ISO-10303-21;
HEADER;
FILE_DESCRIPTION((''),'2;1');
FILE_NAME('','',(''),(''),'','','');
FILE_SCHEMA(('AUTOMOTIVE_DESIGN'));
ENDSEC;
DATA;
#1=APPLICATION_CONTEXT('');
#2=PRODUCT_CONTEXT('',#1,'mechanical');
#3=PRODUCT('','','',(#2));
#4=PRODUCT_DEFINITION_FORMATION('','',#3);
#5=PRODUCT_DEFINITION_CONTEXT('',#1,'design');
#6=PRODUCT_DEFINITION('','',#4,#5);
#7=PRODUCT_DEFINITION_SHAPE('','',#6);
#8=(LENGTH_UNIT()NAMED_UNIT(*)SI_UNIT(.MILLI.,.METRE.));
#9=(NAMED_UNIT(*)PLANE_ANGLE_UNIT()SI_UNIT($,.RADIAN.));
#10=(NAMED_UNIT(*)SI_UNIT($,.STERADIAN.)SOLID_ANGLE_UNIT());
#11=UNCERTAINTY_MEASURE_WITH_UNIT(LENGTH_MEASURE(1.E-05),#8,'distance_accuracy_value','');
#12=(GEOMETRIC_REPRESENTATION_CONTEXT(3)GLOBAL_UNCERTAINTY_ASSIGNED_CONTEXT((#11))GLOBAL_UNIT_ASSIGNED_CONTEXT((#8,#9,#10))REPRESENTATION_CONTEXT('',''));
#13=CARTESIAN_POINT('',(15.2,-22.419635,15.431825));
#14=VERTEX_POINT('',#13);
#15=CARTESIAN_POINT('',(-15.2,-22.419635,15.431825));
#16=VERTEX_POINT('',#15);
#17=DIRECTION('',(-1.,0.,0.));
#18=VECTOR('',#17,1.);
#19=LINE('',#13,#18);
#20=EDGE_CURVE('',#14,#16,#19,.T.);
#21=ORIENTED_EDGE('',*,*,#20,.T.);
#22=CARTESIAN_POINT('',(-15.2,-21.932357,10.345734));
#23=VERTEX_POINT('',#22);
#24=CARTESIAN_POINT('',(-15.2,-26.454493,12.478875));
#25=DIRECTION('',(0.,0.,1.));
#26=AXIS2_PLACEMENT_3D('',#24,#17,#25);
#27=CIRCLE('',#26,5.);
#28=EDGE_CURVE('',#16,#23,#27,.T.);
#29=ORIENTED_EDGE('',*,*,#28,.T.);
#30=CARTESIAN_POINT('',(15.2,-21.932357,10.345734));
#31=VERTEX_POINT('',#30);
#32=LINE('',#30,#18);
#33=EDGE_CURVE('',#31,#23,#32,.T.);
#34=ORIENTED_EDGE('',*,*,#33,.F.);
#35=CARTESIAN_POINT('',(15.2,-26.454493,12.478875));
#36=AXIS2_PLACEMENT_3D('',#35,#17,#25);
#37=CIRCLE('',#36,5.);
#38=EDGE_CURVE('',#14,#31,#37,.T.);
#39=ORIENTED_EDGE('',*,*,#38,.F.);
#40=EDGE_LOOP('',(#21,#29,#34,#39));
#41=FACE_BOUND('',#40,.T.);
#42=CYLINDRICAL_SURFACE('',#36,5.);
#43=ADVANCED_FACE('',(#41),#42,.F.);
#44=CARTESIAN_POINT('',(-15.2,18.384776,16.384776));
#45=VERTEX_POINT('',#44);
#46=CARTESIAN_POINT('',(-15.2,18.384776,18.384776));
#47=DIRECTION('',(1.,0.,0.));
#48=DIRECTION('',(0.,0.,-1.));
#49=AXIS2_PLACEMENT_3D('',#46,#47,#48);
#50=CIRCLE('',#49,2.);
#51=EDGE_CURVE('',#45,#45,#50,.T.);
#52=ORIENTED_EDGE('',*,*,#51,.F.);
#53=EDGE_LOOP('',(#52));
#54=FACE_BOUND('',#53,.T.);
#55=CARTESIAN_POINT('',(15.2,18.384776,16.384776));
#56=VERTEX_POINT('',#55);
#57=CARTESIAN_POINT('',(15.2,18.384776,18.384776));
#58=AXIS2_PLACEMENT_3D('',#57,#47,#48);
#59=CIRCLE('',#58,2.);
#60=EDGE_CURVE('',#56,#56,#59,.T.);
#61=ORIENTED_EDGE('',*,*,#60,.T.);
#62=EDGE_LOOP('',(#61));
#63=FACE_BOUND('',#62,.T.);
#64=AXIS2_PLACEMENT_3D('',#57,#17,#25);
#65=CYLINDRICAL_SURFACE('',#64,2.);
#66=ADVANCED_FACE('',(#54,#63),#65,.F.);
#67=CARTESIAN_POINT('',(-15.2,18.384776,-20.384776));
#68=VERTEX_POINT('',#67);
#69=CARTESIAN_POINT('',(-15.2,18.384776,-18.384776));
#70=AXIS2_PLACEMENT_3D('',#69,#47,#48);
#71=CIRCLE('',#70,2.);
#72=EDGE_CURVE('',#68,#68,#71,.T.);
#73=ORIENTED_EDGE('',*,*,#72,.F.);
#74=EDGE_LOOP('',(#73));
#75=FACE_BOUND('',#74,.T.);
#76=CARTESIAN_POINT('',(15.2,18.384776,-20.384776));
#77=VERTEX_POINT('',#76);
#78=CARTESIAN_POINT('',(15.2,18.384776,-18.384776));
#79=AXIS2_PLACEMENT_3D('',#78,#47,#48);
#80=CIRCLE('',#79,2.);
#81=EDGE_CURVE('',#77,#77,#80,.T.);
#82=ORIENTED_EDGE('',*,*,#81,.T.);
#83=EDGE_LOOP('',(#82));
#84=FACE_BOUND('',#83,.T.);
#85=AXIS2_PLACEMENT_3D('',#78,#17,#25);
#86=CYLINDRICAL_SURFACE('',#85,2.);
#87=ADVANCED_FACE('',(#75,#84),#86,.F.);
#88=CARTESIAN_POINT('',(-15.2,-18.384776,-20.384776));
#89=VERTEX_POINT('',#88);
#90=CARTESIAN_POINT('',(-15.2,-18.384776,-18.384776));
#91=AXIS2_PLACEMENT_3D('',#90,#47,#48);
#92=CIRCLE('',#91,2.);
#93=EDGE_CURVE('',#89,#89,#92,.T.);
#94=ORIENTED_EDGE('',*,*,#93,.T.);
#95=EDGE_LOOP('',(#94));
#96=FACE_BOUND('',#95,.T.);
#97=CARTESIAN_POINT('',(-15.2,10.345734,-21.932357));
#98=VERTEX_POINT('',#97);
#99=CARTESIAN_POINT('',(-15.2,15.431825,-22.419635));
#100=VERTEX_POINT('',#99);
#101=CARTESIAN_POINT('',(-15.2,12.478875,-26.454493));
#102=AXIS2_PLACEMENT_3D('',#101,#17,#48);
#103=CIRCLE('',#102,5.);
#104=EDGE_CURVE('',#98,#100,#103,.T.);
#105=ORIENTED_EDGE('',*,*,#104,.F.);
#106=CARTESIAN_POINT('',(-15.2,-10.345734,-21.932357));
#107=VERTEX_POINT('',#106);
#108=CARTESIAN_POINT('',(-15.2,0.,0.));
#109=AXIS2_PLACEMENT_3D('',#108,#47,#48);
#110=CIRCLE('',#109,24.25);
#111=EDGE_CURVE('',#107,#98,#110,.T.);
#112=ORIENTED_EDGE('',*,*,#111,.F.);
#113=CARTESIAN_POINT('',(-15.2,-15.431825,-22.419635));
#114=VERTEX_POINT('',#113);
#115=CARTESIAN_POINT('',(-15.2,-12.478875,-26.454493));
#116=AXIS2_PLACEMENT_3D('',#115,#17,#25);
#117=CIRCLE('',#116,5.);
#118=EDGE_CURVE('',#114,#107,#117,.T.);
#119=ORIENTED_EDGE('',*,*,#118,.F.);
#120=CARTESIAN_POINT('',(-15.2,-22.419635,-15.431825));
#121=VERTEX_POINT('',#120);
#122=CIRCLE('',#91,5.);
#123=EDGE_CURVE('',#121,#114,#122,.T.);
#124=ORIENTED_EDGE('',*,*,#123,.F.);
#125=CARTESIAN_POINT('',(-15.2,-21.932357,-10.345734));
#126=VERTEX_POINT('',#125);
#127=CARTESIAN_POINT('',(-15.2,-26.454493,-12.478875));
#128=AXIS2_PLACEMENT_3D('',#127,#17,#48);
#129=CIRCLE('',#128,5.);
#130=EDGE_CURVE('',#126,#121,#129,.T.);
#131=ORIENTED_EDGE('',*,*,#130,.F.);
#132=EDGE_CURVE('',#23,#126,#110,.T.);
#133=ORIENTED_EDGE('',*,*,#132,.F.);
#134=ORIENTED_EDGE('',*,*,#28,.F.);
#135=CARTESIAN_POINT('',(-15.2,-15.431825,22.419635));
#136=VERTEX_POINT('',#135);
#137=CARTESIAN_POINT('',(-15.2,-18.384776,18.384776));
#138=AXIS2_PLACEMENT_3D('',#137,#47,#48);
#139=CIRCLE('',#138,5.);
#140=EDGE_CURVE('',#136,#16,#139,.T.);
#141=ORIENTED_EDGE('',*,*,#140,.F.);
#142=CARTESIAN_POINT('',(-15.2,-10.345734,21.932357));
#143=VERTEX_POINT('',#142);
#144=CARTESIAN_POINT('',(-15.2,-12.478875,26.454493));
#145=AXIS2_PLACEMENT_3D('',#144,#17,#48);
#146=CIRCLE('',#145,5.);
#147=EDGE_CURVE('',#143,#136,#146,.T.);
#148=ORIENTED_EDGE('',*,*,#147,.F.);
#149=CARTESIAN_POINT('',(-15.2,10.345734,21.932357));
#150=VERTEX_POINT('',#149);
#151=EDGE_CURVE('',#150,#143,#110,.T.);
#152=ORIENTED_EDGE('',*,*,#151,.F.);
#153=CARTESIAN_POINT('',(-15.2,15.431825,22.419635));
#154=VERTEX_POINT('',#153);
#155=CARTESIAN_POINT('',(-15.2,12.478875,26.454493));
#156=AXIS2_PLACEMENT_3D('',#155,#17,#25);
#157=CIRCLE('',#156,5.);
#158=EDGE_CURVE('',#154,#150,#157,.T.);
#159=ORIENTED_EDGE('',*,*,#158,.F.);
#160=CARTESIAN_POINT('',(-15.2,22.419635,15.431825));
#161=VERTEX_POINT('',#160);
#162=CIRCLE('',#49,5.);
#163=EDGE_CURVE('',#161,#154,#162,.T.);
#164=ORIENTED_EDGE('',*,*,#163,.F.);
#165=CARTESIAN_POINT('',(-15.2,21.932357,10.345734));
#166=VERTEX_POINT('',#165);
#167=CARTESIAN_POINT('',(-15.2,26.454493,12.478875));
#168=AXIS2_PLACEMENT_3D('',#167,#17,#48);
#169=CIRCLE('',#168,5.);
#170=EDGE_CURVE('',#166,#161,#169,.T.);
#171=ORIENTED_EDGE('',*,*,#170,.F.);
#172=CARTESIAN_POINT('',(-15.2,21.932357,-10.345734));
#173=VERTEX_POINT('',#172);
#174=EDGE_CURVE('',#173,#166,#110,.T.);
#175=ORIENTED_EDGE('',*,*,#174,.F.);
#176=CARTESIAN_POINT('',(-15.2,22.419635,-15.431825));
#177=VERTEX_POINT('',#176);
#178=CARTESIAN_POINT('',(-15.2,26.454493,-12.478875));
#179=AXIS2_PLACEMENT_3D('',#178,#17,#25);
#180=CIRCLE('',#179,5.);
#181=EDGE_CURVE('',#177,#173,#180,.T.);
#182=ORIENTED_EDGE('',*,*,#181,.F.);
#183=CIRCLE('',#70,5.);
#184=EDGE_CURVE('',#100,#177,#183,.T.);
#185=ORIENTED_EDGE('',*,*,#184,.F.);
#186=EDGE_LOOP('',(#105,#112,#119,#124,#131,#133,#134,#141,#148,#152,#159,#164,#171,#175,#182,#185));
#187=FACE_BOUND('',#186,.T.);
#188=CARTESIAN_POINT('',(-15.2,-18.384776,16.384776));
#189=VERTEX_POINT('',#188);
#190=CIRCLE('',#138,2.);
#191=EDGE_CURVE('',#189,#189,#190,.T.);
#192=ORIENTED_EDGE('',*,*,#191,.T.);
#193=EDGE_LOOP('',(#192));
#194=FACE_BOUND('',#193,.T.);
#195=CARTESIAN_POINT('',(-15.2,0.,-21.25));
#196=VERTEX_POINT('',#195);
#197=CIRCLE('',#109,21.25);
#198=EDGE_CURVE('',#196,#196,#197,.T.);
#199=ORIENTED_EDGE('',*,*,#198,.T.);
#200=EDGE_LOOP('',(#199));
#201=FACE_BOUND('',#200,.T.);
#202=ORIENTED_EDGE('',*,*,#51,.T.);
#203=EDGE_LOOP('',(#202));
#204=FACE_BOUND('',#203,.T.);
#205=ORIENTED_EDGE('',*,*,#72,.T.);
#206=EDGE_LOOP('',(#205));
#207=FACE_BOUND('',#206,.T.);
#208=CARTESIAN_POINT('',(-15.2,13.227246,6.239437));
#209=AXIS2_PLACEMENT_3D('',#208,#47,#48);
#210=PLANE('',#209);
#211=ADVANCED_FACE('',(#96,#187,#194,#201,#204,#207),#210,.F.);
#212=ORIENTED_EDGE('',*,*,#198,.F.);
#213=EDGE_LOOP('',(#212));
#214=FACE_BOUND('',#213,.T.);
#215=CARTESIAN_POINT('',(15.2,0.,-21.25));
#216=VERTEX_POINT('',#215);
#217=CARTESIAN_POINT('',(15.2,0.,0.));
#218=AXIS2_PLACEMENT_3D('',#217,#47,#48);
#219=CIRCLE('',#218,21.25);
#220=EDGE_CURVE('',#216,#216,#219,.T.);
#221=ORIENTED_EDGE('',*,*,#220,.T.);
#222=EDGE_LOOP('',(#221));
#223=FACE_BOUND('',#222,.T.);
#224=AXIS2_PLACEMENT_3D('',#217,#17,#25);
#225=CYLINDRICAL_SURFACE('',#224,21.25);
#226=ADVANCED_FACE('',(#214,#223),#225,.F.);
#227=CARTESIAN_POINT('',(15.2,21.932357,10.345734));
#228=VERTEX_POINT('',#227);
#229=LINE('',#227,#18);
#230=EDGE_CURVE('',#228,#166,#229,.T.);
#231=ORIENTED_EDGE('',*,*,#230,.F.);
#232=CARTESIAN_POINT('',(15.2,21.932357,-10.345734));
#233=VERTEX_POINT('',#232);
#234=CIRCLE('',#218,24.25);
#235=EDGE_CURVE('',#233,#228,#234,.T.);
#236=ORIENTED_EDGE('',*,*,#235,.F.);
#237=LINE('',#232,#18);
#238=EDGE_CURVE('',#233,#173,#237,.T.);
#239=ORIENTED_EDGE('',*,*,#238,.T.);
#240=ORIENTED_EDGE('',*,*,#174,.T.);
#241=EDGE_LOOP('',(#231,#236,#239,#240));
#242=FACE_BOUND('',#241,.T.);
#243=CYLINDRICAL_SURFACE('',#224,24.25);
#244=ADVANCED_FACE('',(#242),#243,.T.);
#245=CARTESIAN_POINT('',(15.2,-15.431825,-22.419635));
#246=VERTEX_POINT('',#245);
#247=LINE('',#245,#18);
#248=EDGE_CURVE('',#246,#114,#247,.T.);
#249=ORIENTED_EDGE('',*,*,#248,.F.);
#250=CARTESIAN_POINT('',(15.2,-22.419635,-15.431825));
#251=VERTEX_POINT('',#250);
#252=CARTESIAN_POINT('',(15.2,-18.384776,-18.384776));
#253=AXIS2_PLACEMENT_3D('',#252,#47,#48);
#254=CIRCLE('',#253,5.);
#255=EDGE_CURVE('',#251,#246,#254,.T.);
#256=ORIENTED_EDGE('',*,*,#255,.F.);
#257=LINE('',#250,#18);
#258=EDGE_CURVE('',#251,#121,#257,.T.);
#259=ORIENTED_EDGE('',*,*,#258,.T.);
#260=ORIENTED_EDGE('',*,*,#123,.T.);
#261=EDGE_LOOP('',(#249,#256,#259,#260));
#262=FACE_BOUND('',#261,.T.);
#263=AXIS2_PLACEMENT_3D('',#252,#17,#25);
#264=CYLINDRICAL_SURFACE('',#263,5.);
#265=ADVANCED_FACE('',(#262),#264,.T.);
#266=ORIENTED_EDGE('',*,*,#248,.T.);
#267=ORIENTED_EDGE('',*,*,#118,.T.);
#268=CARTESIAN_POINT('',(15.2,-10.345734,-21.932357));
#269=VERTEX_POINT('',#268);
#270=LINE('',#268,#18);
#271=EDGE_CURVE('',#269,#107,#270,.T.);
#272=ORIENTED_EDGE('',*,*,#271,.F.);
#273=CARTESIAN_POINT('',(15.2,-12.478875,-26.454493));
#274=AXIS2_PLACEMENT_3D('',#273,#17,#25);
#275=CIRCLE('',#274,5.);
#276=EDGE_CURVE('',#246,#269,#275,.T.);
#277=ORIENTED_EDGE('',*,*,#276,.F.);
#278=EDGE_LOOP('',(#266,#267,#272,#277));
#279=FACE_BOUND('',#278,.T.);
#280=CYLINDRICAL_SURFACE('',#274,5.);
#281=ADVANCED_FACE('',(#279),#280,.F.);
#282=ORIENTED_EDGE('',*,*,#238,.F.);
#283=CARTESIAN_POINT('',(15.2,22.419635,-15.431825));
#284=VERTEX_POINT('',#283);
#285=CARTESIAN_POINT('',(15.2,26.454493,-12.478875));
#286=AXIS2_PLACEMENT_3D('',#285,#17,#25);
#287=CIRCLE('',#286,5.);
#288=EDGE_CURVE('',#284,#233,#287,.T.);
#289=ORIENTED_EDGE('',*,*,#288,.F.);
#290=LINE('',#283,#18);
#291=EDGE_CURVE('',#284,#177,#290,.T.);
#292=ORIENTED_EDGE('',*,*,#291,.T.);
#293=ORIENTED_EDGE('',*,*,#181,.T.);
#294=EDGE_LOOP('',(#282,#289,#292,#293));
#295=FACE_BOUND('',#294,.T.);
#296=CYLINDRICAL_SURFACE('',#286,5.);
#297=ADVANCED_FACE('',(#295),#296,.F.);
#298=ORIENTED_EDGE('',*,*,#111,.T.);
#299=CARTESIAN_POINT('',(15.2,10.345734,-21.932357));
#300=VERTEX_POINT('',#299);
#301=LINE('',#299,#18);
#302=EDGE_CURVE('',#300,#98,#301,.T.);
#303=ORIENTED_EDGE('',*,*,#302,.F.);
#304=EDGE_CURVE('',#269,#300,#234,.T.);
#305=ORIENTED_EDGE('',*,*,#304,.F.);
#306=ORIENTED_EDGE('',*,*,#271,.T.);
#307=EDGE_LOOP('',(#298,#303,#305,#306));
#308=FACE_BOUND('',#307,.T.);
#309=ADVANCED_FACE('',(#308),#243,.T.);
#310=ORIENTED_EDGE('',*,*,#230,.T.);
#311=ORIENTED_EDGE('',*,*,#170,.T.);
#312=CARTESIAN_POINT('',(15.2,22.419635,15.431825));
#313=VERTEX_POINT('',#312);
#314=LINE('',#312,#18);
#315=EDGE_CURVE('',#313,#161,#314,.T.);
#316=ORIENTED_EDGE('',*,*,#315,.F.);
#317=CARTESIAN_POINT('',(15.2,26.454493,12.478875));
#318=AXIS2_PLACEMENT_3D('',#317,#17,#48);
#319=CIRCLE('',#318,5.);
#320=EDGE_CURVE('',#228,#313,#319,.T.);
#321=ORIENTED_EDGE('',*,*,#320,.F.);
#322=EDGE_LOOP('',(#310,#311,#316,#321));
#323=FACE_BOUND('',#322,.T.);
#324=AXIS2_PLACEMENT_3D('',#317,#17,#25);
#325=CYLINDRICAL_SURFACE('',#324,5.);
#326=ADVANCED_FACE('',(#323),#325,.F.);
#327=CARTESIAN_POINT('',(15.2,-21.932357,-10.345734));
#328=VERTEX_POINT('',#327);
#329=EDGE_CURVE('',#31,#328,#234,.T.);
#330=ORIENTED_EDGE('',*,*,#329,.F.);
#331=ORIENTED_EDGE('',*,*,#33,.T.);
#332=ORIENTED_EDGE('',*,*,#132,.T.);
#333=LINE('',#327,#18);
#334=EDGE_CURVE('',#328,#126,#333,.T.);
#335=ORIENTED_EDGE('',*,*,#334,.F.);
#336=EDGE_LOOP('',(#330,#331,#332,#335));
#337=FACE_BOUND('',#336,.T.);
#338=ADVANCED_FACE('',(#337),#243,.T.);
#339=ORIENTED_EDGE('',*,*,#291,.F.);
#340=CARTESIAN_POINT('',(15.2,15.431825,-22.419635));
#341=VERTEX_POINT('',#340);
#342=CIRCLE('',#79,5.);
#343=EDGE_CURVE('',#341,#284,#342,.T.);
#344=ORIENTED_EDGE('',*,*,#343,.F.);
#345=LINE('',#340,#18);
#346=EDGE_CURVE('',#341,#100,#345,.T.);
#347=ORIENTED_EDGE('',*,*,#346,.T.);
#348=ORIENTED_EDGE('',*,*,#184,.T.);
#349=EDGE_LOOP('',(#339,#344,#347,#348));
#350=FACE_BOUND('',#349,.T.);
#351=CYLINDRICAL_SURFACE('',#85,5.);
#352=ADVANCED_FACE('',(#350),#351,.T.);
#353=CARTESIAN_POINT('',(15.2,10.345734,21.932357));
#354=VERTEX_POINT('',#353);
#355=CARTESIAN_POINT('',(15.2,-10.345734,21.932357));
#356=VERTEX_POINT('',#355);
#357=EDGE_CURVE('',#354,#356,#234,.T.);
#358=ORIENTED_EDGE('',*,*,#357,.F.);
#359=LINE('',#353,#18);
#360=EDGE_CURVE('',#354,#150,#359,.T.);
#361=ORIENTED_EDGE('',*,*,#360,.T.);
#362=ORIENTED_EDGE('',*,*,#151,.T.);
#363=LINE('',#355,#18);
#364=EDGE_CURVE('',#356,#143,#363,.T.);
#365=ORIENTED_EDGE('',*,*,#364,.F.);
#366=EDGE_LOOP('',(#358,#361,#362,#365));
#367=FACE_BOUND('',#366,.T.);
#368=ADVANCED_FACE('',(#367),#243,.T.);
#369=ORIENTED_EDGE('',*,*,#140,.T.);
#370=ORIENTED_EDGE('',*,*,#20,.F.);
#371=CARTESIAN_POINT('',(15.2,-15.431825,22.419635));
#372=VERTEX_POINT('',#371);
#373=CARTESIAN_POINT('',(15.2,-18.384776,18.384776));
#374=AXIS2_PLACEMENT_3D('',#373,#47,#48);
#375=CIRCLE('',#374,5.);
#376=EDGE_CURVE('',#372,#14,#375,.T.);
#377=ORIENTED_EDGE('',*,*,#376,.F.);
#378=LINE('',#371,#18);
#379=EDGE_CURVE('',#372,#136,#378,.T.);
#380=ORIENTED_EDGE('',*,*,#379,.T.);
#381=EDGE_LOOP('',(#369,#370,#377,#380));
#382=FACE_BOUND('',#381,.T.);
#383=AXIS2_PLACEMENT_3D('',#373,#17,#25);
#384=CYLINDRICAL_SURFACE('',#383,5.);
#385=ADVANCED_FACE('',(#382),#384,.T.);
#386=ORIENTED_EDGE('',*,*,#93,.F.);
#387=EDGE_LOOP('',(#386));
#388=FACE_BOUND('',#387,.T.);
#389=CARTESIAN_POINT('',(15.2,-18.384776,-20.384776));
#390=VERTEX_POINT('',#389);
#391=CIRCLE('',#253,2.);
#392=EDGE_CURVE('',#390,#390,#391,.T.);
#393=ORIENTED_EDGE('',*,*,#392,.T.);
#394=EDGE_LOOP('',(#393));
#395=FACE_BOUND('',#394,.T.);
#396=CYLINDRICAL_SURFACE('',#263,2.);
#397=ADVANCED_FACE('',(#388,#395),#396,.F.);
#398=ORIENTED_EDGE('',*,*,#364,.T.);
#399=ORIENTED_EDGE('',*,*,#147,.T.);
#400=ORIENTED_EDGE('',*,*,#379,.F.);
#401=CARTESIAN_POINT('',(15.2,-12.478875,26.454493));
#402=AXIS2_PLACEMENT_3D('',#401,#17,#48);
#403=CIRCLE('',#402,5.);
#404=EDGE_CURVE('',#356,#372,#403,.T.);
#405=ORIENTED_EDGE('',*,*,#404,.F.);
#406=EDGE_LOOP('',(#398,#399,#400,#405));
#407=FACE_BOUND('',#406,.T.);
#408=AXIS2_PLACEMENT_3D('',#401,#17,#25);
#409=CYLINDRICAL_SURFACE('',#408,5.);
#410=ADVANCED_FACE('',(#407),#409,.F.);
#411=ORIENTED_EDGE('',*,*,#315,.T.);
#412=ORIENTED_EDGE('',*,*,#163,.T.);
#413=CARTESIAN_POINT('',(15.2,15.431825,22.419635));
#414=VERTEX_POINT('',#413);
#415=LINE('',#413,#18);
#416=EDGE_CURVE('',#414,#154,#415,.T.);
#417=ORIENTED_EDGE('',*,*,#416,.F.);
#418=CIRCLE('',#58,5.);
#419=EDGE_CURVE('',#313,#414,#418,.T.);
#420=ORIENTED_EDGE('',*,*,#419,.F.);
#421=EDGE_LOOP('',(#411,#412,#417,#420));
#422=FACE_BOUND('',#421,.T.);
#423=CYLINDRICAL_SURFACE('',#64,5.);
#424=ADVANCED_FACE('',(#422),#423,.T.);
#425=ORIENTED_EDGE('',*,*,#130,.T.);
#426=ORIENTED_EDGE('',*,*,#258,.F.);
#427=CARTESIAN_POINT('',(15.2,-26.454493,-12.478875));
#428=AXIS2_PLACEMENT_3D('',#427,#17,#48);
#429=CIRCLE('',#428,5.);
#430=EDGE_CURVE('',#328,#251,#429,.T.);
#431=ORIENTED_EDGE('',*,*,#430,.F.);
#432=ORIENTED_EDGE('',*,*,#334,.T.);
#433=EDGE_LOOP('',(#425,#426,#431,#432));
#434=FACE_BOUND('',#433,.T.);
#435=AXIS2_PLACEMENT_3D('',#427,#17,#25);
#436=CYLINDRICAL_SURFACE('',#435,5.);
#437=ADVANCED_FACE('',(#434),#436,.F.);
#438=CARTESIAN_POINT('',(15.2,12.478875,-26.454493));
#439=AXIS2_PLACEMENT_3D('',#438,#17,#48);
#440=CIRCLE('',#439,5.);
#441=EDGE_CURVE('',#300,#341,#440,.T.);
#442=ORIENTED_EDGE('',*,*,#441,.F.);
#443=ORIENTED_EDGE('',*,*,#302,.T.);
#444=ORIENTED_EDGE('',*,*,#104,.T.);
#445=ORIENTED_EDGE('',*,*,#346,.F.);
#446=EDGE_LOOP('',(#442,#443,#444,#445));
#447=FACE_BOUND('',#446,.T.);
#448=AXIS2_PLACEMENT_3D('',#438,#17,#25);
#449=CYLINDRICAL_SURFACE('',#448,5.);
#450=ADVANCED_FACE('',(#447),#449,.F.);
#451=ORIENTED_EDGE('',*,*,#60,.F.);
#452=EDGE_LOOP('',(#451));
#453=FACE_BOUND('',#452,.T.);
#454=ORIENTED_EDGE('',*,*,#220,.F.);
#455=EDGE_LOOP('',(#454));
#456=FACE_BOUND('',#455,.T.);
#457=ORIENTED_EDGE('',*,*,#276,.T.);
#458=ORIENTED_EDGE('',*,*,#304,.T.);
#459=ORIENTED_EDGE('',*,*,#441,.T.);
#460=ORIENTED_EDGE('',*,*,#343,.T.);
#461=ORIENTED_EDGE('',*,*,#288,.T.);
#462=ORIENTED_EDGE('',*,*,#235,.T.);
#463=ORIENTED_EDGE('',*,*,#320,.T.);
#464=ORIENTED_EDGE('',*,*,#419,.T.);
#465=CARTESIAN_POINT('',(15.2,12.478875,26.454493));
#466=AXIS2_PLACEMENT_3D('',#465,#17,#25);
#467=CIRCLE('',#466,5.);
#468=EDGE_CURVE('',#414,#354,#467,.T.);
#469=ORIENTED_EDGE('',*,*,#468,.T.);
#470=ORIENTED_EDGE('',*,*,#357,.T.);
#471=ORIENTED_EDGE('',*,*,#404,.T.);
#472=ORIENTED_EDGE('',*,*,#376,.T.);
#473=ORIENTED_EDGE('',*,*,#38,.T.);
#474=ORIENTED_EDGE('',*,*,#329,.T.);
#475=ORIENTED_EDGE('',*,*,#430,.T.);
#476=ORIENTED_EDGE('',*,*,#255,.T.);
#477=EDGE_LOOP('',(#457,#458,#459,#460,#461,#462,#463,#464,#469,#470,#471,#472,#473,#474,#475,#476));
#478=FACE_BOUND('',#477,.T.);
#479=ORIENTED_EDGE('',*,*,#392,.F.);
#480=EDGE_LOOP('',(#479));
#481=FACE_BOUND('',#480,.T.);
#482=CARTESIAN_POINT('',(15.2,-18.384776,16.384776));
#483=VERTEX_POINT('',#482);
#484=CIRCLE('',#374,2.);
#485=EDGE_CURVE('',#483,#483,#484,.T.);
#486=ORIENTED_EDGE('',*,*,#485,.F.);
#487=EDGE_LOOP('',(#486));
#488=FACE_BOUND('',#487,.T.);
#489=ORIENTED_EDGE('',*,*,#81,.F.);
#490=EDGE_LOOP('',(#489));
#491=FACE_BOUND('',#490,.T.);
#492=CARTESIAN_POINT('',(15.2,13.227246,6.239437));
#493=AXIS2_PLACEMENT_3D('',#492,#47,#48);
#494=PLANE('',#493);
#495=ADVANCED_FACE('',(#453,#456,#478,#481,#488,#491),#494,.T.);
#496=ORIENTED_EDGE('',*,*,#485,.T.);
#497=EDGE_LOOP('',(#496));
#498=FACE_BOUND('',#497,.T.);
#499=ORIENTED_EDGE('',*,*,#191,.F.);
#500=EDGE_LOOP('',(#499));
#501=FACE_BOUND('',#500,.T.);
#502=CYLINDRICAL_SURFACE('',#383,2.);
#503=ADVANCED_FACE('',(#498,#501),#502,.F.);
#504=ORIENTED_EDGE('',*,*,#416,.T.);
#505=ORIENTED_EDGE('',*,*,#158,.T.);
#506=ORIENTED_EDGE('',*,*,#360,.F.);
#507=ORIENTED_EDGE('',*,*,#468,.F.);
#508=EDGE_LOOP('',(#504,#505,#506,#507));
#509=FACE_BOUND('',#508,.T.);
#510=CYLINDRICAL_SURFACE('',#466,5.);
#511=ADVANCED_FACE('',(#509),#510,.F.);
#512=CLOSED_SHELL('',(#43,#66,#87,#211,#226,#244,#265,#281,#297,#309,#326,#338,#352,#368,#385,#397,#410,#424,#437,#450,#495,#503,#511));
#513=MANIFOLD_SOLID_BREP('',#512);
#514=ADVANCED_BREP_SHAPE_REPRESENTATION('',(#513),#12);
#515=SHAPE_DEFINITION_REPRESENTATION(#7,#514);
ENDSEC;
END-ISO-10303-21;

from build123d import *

# Parameters (mm, degrees)
SKETCH_1_R      = 21.25
SKETCH_1_R_2    = 2
EXTRUDE_1_DEPTH = 15.2


with BuildPart() as part:
    # 草图1 → 凸台-拉伸1 (new body, symmetric)
    with BuildSketch(Plane(origin=(0, 0, 0), x_dir=(0, 0, -1), z_dir=(1, 0, 0))):
        with BuildLine():
            ThreePointArc((-15.431825442, 22.419634577), (-21.920310245, 21.920310245), (-22.419634577, 15.431825442))
            ThreePointArc((-22.419634577, 15.431825442), (-21.477282941, 12.955720303), (-21.932357291, 10.345733597))
            ThreePointArc((-21.932357291, 10.345733597), (-24.25, 0), (-21.932357291, -10.345733597))
            ThreePointArc((-21.932357291, -10.345733597), (-21.477282941, -12.955720303), (-22.419634577, -15.431825442))
            ThreePointArc((-22.419634577, -15.431825442), (-21.920310245, -21.920310245), (-15.431825442, -22.419634577))
            ThreePointArc((-15.431825442, -22.419634577), (-12.955720303, -21.477282941), (-10.345733597, -21.932357291))
            ThreePointArc((-10.345733597, -21.932357291), (0, -24.25), (10.345733597, -21.932357291))
            ThreePointArc((10.345733597, -21.932357291), (12.955720303, -21.477282941), (15.431825442, -22.419634577))
            ThreePointArc((15.431825442, -22.419634577), (21.920310245, -21.920310245), (22.419634577, -15.431825442))
            ThreePointArc((22.419634577, -15.431825442), (21.477282941, -12.955720303), (21.932357291, -10.345733597))
            ThreePointArc((21.932357291, -10.345733597), (24.25, 0), (21.932357291, 10.345733597))
            ThreePointArc((21.932357291, 10.345733597), (21.477282941, 12.955720303), (22.419634577, 15.431825442))
            ThreePointArc((22.419634577, 15.431825442), (21.920310245, 21.920310245), (15.431825442, 22.419634577))
            ThreePointArc((15.431825442, 22.419634577), (12.955720303, 21.477282941), (10.345733597, 21.932357291))
            ThreePointArc((10.345733597, 21.932357291), (0, 24.25), (-10.345733597, 21.932357291))
            ThreePointArc((-10.345733597, 21.932357291), (-12.955720303, 21.477282941), (-15.431825442, 22.419634577))
        make_face()
        Circle(SKETCH_1_R, mode=Mode.SUBTRACT)
        with Locations((-18.384776339, 18.384776339)):
            Circle(SKETCH_1_R_2, mode=Mode.SUBTRACT)
        with Locations((18.384776339, 18.384776339)):
            Circle(SKETCH_1_R_2, mode=Mode.SUBTRACT)
        with Locations((18.384776339, -18.384776339)):
            Circle(SKETCH_1_R_2, mode=Mode.SUBTRACT)
        with Locations((-18.384776339, -18.384776339)):
            Circle(SKETCH_1_R_2, mode=Mode.SUBTRACT)
    extrude(amount=EXTRUDE_1_DEPTH, both=True)


solid = part.part
